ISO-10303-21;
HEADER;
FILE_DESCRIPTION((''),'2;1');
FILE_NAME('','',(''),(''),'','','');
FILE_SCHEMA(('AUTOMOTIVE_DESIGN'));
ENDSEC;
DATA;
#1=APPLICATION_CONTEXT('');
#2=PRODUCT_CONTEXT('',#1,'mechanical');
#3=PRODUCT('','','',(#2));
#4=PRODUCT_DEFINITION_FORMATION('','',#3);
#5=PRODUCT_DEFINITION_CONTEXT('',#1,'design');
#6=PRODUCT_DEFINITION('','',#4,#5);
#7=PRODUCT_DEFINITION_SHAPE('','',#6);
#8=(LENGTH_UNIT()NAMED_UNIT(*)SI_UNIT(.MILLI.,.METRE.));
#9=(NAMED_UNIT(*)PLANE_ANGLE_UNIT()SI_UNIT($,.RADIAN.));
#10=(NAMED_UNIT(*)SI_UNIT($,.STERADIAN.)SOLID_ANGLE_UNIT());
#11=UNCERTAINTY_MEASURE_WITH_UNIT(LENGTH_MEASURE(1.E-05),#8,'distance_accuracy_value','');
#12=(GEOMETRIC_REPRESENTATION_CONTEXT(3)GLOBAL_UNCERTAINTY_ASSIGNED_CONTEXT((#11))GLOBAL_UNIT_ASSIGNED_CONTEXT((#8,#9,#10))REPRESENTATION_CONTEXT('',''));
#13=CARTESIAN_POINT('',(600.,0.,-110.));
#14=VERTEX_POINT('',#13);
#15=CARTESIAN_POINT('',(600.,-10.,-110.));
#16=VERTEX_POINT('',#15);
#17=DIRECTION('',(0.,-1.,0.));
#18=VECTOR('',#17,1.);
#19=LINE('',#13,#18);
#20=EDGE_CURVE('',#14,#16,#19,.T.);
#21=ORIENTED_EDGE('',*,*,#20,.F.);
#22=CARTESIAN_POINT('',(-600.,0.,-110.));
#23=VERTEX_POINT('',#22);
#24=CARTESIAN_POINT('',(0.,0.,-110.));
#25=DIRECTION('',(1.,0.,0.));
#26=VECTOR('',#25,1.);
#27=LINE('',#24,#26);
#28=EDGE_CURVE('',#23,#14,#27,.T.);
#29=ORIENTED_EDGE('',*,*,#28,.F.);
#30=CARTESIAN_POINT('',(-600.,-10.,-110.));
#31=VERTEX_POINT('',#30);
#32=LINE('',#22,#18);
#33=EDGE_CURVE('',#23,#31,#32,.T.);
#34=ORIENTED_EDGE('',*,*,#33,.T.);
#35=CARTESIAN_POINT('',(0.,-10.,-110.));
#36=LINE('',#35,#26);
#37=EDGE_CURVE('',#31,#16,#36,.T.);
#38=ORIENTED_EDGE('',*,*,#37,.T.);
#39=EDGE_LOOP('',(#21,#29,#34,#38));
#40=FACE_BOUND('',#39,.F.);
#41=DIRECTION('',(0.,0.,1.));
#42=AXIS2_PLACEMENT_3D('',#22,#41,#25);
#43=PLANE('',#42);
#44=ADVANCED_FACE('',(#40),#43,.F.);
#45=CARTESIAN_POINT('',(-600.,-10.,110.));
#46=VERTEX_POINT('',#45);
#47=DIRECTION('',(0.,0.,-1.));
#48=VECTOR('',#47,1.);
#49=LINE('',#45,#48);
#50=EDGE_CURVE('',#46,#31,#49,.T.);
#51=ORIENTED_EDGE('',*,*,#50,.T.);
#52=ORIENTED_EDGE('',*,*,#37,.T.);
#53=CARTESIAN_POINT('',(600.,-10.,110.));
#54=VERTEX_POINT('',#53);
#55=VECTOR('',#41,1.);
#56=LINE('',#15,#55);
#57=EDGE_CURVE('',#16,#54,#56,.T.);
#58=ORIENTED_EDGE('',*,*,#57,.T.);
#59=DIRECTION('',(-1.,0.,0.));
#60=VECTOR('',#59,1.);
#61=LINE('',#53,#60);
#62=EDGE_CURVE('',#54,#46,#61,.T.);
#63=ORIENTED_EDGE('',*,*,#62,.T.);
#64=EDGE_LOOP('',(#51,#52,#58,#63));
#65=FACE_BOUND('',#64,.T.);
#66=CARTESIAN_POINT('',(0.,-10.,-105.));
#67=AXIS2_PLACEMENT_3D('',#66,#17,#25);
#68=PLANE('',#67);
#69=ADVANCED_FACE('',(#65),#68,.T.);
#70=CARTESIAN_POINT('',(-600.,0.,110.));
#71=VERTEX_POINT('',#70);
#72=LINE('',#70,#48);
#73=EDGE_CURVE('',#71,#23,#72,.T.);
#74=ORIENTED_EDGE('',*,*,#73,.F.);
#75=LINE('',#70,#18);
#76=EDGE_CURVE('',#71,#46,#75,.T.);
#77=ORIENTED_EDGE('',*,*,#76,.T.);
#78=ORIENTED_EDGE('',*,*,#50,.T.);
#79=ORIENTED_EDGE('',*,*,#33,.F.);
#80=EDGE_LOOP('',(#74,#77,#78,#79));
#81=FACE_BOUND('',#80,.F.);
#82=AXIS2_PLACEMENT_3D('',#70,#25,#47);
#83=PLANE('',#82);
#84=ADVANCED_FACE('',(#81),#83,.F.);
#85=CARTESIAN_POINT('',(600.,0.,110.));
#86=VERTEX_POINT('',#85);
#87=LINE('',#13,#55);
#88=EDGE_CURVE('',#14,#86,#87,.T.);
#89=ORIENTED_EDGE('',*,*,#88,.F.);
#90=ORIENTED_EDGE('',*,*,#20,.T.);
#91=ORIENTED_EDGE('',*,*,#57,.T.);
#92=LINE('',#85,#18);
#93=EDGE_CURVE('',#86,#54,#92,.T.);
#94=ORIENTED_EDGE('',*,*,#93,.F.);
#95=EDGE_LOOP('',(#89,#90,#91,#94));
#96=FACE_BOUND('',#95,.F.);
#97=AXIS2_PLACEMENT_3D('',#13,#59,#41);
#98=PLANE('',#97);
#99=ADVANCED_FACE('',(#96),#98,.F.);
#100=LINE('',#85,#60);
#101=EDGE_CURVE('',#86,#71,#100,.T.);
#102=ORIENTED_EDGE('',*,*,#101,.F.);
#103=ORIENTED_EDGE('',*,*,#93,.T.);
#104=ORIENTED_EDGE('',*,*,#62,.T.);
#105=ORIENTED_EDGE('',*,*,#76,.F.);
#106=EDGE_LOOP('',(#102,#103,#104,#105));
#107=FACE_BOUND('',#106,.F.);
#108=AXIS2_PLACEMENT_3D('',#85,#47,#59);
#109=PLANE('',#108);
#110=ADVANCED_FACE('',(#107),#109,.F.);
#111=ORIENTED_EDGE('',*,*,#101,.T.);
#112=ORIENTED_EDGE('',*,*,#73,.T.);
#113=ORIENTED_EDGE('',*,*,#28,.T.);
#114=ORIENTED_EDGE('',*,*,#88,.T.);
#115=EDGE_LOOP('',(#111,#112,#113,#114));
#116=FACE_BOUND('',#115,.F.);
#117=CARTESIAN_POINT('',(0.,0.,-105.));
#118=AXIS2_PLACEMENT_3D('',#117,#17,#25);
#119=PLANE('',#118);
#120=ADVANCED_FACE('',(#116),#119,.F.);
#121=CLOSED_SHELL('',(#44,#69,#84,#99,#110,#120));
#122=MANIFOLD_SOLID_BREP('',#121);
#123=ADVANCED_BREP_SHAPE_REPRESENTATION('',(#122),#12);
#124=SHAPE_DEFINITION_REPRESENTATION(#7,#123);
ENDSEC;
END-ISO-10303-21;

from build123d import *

# Parameters (mm, degrees)
F0_W     = 1200
F0_H     = 10
F1_DEPTH = 10


with BuildPart() as f1:
    # F0 (on Front) → F1 (new body)
    with BuildSketch(Plane.XZ):
        with Locations((0, -105)):
            Rectangle(F0_W, F0_H)
        Polygon((168.172628, 110), (168.172628, 100), (600, 100), (600, 110), (500, 110), align=None)
        Polygon((-600, 110), (-600, 100), (52.431464, 100), (52.431464, 110), (-500, 110), align=None)
        Polygon((52.431464, 110), (52.431464, 100), (168.172628, 100), (168.172628, 110), (167.431464, 110), (152.431464, 110), align=None)
        Polygon((52.431464, 100), (-600, 100), (-600, -100), (600, -100), (600, 100), (168.172628, 100), align=None)
    extrude(amount=F1_DEPTH)


solid = f1.part
